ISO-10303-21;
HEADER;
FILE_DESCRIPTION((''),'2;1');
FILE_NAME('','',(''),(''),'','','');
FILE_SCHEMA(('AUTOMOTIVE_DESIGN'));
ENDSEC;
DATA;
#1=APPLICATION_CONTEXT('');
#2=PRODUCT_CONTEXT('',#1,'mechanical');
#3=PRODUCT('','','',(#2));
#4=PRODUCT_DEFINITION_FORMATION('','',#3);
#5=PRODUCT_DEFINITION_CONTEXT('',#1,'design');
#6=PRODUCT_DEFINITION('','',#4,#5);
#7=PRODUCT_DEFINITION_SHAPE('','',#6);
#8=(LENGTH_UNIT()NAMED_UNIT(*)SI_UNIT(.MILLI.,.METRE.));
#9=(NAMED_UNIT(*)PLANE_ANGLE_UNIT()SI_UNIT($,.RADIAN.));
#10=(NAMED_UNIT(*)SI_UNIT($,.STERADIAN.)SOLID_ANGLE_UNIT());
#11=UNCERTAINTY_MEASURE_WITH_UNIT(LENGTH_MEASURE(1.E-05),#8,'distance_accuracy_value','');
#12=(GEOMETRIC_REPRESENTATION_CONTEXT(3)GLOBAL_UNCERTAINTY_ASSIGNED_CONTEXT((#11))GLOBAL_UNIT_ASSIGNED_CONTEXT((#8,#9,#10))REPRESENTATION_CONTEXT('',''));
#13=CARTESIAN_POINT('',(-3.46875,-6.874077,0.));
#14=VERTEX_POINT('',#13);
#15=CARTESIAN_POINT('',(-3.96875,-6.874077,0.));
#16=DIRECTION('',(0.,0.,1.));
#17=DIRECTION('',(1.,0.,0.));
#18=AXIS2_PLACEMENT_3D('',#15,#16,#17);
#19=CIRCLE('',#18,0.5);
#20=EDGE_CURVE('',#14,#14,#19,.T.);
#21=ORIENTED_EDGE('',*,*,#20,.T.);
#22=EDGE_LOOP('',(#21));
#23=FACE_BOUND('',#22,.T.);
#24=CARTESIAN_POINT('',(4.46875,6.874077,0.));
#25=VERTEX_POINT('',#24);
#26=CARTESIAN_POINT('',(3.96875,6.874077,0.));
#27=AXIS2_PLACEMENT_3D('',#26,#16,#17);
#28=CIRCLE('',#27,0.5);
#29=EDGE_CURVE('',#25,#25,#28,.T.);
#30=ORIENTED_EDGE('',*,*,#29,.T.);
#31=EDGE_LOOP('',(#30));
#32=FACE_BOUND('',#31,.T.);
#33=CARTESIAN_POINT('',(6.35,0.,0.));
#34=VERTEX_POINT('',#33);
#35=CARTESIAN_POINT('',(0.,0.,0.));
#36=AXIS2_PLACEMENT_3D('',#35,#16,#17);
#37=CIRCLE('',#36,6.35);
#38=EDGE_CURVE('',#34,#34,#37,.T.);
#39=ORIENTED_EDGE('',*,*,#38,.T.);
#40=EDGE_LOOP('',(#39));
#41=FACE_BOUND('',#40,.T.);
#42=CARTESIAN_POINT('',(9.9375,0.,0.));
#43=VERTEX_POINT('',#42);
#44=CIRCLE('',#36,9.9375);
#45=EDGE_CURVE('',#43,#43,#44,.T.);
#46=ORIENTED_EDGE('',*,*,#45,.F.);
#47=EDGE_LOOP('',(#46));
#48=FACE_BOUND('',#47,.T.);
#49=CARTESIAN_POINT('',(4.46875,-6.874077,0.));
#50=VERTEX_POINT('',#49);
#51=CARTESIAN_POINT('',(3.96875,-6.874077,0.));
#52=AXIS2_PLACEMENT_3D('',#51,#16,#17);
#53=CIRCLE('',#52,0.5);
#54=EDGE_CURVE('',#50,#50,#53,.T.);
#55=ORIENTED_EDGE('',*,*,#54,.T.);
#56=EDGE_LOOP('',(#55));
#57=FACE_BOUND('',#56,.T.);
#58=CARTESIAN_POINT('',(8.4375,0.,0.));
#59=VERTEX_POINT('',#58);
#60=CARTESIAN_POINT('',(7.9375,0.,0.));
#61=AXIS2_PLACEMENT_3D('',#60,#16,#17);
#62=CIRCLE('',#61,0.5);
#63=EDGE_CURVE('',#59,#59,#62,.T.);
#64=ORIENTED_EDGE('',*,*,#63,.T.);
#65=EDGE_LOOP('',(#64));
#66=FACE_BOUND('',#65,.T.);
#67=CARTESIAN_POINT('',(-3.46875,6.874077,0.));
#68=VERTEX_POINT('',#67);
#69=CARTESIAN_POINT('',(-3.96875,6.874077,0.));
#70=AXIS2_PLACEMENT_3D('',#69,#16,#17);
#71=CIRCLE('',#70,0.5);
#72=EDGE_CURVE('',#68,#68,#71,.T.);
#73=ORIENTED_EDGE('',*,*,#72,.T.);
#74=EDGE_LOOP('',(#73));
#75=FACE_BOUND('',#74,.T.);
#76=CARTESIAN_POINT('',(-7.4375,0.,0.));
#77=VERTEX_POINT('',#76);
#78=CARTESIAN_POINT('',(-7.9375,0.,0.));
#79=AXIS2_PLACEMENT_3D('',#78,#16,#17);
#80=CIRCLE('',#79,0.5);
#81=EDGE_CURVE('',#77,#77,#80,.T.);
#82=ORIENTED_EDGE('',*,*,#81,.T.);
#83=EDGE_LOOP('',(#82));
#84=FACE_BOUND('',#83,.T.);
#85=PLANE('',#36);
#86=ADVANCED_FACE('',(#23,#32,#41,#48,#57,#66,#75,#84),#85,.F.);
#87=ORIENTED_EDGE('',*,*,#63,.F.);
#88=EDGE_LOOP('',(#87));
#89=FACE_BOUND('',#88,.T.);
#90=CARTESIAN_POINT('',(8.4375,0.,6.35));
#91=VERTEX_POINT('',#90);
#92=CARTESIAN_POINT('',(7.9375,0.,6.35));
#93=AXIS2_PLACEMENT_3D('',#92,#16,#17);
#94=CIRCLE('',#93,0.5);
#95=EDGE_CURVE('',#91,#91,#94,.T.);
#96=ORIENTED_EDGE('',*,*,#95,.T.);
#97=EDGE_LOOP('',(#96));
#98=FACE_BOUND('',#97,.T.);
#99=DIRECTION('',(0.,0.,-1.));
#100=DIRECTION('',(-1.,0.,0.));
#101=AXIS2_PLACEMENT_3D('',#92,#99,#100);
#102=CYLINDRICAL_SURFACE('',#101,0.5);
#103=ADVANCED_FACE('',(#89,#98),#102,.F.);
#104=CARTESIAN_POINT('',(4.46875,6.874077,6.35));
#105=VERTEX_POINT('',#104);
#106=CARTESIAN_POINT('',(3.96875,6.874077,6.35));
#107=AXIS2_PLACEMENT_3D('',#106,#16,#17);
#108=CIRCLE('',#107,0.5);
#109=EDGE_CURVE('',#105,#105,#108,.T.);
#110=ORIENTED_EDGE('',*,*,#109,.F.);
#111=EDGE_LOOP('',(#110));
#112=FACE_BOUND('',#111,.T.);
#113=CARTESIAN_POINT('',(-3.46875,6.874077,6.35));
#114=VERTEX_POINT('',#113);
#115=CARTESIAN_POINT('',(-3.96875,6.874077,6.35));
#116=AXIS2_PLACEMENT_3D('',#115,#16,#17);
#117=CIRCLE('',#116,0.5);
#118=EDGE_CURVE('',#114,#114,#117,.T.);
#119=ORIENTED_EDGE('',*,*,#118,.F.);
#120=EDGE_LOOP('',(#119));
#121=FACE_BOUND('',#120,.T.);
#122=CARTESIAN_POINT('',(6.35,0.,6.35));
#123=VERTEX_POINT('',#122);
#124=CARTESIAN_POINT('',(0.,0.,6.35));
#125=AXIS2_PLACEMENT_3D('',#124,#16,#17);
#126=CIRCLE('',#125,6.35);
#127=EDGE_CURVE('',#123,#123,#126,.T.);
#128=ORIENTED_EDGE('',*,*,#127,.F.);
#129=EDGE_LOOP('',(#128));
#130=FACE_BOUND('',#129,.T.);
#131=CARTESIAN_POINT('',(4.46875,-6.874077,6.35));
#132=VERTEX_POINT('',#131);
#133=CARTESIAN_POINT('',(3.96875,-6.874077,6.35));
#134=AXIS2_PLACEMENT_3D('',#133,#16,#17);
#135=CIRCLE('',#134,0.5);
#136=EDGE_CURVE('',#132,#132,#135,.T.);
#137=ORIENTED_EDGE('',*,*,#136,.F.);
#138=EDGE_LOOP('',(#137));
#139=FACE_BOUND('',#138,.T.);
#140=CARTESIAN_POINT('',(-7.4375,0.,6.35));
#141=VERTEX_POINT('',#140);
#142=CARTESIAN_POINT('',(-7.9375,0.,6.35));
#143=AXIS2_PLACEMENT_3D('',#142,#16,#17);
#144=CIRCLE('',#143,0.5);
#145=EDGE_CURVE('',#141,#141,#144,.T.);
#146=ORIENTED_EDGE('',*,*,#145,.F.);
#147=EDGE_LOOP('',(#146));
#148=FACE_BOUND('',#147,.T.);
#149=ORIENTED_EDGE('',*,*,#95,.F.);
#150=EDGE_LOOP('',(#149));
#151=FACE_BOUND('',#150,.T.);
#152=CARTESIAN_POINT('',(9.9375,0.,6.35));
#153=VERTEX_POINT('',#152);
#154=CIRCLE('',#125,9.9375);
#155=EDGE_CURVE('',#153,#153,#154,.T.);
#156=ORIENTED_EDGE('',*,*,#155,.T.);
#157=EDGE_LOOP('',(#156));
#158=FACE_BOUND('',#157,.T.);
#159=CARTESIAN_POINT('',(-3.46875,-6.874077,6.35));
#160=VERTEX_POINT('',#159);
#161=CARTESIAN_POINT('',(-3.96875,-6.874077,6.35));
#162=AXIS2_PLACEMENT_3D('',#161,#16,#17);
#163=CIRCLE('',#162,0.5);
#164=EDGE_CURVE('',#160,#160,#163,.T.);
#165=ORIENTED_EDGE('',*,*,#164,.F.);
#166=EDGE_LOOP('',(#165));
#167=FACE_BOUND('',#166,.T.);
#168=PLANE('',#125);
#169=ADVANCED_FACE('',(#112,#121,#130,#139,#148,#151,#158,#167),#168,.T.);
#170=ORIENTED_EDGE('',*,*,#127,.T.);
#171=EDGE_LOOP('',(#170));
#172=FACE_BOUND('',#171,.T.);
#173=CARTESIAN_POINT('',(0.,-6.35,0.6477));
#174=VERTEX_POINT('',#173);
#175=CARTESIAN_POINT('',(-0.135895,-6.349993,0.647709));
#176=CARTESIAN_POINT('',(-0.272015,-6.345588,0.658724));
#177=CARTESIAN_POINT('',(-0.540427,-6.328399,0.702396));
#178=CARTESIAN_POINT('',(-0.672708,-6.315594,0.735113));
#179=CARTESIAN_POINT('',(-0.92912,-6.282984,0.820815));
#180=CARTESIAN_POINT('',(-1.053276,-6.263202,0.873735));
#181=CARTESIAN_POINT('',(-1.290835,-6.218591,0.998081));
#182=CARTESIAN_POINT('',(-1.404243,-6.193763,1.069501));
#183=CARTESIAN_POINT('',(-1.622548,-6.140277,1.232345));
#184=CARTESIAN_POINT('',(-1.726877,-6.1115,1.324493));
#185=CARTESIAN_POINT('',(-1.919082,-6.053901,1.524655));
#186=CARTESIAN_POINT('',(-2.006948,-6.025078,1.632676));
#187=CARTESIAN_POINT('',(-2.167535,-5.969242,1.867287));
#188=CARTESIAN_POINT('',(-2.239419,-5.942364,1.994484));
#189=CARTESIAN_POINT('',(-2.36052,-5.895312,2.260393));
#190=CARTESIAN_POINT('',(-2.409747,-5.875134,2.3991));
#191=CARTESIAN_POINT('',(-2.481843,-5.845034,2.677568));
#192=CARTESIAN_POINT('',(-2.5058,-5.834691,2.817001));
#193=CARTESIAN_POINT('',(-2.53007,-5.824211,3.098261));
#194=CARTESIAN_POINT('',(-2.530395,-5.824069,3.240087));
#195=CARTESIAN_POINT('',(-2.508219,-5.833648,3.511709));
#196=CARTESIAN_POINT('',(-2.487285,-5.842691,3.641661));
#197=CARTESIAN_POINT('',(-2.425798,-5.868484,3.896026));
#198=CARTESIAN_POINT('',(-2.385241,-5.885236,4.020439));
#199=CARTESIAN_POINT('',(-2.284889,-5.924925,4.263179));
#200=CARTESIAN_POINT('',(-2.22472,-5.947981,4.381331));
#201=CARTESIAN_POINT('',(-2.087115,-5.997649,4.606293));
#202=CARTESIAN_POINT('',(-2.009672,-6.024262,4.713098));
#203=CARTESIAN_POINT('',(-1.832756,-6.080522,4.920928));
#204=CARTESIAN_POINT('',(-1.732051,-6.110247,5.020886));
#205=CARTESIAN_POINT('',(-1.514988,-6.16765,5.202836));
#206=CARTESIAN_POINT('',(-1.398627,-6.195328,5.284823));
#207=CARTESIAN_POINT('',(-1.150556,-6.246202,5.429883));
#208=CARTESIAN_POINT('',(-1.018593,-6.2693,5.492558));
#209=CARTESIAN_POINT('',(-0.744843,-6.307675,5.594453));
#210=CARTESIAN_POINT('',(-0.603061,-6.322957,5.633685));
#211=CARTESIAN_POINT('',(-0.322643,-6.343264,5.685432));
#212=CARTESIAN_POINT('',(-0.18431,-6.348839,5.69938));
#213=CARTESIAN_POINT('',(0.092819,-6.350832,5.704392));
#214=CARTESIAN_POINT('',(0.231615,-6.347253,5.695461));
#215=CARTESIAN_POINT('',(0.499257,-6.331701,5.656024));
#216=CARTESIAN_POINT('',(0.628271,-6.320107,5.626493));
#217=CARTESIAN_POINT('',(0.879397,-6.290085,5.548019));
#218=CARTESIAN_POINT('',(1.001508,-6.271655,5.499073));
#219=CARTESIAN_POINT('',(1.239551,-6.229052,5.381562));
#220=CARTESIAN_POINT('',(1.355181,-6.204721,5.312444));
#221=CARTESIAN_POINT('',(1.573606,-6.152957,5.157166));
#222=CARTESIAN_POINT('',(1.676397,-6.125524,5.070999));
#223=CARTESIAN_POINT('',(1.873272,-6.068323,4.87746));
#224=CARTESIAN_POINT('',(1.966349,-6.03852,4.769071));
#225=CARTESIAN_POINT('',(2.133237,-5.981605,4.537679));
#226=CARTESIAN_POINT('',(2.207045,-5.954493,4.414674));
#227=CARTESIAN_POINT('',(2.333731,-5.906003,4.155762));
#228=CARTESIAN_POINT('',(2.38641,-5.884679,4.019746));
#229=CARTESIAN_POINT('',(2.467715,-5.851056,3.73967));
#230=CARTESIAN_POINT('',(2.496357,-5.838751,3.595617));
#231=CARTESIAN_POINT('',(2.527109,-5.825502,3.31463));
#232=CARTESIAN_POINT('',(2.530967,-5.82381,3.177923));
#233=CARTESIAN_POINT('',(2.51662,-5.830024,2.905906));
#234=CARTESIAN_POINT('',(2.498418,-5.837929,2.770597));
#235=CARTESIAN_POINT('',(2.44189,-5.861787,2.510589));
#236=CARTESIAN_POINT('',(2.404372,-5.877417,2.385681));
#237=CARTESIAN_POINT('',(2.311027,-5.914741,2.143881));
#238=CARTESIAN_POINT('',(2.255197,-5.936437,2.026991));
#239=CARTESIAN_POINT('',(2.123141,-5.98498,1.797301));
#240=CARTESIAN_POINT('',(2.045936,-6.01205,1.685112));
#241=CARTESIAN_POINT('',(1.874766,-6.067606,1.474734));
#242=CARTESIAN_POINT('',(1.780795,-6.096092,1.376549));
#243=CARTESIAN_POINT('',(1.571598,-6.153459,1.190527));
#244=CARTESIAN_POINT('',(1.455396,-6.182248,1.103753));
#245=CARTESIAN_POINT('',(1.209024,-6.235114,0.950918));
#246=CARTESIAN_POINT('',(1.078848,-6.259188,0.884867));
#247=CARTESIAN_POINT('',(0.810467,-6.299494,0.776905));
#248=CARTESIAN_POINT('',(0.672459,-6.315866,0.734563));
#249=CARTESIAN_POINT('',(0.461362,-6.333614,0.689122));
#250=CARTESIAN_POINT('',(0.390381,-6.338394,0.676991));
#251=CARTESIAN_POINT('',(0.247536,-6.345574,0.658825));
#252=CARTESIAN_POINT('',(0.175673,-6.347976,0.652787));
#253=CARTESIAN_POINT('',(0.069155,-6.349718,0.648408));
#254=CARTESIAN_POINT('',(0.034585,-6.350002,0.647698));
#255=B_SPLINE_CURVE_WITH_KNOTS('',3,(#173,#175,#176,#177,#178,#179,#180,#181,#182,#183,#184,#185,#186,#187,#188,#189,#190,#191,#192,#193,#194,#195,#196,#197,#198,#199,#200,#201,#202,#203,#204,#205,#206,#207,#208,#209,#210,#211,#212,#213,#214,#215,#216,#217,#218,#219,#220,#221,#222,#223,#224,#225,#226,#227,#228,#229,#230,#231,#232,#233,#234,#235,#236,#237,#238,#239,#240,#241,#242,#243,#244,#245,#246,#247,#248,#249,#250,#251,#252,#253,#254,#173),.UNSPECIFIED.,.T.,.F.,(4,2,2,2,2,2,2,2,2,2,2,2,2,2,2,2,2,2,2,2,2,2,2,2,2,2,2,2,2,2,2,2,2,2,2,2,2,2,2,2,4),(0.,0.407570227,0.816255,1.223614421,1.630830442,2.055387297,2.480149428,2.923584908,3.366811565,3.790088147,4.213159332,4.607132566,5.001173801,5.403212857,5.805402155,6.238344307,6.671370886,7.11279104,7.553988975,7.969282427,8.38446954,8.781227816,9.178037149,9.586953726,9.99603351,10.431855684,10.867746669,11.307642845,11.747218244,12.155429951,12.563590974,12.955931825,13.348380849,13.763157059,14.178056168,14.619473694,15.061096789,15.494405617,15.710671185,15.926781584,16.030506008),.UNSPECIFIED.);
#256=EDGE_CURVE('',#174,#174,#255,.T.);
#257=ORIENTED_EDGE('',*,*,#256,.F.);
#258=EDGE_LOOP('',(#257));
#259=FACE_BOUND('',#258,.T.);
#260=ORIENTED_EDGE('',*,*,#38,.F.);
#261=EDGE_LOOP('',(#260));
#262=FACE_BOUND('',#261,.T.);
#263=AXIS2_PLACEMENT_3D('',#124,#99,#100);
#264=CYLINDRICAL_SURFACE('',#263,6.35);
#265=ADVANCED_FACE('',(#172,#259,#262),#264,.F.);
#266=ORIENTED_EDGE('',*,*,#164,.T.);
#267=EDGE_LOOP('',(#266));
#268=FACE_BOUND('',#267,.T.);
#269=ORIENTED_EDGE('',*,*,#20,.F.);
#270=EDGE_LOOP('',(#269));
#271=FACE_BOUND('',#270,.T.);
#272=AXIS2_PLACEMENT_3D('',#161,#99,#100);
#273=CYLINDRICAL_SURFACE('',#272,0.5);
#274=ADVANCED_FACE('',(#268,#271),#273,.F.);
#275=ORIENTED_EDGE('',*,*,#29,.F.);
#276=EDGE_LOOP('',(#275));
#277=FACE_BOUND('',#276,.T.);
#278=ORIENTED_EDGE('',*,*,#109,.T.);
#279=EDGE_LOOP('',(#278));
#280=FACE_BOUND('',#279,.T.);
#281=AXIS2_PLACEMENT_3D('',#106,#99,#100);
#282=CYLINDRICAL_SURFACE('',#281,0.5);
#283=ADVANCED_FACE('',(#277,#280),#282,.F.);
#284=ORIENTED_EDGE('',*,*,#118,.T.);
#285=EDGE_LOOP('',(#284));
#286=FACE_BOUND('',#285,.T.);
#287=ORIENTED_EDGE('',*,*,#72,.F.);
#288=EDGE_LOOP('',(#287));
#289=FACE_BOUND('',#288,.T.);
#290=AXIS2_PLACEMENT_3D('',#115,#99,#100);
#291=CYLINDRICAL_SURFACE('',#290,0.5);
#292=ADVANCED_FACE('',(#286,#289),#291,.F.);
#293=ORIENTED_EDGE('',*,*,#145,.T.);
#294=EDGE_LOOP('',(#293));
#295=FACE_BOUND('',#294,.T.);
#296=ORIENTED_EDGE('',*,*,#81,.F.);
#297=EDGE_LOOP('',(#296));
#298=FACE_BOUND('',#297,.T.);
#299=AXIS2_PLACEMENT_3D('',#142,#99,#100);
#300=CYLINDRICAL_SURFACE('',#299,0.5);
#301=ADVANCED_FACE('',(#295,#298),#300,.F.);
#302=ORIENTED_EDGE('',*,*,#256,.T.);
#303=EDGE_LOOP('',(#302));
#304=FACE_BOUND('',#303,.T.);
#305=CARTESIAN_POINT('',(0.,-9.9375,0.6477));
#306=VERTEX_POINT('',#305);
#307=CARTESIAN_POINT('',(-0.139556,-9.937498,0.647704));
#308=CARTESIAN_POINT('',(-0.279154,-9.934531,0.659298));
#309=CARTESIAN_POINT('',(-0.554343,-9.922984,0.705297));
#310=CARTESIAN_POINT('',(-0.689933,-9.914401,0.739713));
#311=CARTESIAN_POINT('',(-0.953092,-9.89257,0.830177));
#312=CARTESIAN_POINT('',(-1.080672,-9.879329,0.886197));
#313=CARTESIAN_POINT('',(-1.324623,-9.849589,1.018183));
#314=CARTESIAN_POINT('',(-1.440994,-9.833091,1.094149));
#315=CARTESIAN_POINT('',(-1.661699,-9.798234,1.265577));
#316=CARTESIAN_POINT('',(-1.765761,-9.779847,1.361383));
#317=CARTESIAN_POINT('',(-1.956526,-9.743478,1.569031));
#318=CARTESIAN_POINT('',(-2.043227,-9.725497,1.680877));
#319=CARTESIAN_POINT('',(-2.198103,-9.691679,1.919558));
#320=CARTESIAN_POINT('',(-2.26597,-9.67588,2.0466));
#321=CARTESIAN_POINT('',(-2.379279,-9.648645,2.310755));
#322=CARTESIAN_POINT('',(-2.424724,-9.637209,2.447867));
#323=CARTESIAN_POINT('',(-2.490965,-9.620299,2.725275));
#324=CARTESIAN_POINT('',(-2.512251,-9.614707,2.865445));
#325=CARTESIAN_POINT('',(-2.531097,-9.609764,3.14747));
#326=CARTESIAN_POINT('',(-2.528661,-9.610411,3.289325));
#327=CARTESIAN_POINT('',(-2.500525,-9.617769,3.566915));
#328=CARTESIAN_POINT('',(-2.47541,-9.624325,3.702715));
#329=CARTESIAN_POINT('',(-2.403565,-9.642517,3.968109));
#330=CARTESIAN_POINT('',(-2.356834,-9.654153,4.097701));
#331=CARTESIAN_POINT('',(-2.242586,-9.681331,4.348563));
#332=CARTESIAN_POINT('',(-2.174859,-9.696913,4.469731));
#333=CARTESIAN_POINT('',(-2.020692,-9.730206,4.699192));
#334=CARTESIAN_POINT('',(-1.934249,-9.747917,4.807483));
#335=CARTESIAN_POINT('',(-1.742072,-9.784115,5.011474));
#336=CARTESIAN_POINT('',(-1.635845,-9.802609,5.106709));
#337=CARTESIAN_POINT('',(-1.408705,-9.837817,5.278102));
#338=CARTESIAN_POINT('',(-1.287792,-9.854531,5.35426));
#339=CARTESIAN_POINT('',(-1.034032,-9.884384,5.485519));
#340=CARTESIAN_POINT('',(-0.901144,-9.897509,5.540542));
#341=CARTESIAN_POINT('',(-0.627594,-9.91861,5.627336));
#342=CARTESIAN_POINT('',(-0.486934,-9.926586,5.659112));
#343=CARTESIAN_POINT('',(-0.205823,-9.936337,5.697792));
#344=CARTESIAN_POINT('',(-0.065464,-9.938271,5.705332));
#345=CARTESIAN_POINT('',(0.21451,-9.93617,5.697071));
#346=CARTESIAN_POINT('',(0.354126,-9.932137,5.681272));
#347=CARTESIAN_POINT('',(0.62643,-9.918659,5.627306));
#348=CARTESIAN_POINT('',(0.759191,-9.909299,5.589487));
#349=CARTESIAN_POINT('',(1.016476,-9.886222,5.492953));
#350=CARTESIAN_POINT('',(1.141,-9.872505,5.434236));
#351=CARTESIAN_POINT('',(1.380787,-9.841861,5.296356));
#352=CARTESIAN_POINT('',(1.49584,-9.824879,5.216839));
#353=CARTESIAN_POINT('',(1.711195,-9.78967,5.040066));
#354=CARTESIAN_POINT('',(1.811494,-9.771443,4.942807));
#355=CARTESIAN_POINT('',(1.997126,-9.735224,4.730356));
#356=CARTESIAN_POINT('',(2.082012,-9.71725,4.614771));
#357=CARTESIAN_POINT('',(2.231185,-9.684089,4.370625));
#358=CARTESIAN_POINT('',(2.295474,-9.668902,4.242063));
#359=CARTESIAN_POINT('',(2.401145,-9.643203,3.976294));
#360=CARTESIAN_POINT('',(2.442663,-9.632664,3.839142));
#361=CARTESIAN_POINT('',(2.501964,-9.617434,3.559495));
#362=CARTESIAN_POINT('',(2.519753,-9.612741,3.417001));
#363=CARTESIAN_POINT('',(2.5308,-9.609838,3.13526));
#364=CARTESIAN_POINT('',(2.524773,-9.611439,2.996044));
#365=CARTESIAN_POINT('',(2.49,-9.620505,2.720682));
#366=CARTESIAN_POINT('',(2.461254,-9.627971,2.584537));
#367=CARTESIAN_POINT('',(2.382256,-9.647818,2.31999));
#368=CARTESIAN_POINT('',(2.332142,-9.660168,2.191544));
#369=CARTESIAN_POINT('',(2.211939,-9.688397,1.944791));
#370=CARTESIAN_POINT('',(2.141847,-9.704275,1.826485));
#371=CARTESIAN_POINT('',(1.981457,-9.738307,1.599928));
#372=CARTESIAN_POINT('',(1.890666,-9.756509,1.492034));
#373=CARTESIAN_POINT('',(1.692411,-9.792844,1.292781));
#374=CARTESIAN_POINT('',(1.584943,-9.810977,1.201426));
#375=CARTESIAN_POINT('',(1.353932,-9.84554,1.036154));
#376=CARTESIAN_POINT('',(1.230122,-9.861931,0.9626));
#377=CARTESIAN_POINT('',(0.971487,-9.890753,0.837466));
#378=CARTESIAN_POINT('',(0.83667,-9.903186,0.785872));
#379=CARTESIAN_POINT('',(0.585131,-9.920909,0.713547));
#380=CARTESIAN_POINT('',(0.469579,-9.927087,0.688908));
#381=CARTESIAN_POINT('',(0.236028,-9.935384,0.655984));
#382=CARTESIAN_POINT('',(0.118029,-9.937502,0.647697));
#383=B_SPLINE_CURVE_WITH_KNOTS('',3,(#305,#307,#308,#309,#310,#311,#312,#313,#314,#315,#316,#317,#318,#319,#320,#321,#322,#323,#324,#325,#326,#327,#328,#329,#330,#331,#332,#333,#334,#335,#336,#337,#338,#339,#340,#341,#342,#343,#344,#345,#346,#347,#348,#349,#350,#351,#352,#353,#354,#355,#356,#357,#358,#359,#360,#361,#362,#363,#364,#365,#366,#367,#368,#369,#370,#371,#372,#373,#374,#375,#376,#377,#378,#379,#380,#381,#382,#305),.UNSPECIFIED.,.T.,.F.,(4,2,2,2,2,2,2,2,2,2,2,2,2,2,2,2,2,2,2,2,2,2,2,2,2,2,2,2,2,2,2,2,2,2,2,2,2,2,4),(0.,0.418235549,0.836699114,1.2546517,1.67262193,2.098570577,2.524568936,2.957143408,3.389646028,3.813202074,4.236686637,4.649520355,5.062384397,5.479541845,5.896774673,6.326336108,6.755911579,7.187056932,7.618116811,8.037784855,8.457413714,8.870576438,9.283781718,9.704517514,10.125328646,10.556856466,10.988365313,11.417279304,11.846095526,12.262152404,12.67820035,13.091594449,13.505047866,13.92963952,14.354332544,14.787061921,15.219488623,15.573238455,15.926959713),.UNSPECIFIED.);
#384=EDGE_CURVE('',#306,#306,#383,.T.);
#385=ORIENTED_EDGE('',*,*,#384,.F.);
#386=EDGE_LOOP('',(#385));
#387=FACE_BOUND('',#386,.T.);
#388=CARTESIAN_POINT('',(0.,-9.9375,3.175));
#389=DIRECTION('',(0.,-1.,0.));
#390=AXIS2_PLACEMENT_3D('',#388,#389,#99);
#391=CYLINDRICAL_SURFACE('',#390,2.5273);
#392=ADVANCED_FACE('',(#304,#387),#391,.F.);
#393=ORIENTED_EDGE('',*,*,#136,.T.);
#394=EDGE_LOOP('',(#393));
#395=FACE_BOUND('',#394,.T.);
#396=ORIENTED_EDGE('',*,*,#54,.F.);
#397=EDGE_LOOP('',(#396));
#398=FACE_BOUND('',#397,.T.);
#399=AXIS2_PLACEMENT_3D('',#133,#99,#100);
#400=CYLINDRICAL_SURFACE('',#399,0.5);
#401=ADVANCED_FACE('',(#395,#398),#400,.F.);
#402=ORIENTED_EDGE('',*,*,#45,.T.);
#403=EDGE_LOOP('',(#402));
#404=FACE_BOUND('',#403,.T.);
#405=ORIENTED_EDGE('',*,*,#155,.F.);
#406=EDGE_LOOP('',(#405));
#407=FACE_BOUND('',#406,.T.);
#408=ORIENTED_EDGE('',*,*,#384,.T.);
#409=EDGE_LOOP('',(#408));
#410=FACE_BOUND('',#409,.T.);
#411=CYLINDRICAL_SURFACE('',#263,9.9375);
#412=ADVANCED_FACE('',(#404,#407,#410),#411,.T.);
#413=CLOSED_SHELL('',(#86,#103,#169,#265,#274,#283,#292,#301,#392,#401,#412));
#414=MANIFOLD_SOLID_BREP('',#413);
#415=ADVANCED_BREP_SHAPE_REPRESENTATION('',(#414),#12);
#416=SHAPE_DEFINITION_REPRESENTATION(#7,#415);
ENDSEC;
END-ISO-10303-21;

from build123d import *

# Parameters (mm, degrees)
SKETCH1_R                      = 9.9375
SKETCH1_R_2                    = 6.35
SKETCH1_R_3                    = 0.5
BOSS_EXTRUDE1_DEPTH            = 6.35
F_8_0_199_DIAMETER_HOLE1_D     = 5.0546
F_8_0_199_DIAMETER_HOLE1_DEPTH = 8.35
F_8_0_199_DIAMETER_HOLE1_TIP   = 1.518555042


with BuildPart() as part:
    # Sketch1 → Boss-Extrude1 (new body)
    with BuildSketch(Plane.XY):
        Circle(SKETCH1_R)
        Circle(SKETCH1_R_2, mode=Mode.SUBTRACT)
        with Locations((-7.9375, 0)):
            Circle(SKETCH1_R_3, mode=Mode.SUBTRACT)
        with Locations((-3.96875, 6.874076643)):
            Circle(SKETCH1_R_3, mode=Mode.SUBTRACT)
        with Locations((3.96875, 6.874076643)):
            Circle(SKETCH1_R_3, mode=Mode.SUBTRACT)
        with Locations((7.9375, 0)):
            Circle(SKETCH1_R_3, mode=Mode.SUBTRACT)
        with Locations((3.96875, -6.874076643)):
            Circle(SKETCH1_R_3, mode=Mode.SUBTRACT)
        with Locations((-3.96875, -6.874076643)):
            Circle(SKETCH1_R_3, mode=Mode.SUBTRACT)
    extrude(amount=BOSS_EXTRUDE1_DEPTH)

    # #8 (0.199) Diameter Hole1
    with Locations(Plane.XZ.offset(9.9375)):
        with Locations((0, 3.175)):
            Hole(F_8_0_199_DIAMETER_HOLE1_D / 2, depth=F_8_0_199_DIAMETER_HOLE1_DEPTH)
            with Locations((0, 0, -(F_8_0_199_DIAMETER_HOLE1_DEPTH + F_8_0_199_DIAMETER_HOLE1_TIP / 2))):  # 118° drill point
                Cone(0, F_8_0_199_DIAMETER_HOLE1_D / 2, F_8_0_199_DIAMETER_HOLE1_TIP, mode=Mode.SUBTRACT)


solid = part.part
